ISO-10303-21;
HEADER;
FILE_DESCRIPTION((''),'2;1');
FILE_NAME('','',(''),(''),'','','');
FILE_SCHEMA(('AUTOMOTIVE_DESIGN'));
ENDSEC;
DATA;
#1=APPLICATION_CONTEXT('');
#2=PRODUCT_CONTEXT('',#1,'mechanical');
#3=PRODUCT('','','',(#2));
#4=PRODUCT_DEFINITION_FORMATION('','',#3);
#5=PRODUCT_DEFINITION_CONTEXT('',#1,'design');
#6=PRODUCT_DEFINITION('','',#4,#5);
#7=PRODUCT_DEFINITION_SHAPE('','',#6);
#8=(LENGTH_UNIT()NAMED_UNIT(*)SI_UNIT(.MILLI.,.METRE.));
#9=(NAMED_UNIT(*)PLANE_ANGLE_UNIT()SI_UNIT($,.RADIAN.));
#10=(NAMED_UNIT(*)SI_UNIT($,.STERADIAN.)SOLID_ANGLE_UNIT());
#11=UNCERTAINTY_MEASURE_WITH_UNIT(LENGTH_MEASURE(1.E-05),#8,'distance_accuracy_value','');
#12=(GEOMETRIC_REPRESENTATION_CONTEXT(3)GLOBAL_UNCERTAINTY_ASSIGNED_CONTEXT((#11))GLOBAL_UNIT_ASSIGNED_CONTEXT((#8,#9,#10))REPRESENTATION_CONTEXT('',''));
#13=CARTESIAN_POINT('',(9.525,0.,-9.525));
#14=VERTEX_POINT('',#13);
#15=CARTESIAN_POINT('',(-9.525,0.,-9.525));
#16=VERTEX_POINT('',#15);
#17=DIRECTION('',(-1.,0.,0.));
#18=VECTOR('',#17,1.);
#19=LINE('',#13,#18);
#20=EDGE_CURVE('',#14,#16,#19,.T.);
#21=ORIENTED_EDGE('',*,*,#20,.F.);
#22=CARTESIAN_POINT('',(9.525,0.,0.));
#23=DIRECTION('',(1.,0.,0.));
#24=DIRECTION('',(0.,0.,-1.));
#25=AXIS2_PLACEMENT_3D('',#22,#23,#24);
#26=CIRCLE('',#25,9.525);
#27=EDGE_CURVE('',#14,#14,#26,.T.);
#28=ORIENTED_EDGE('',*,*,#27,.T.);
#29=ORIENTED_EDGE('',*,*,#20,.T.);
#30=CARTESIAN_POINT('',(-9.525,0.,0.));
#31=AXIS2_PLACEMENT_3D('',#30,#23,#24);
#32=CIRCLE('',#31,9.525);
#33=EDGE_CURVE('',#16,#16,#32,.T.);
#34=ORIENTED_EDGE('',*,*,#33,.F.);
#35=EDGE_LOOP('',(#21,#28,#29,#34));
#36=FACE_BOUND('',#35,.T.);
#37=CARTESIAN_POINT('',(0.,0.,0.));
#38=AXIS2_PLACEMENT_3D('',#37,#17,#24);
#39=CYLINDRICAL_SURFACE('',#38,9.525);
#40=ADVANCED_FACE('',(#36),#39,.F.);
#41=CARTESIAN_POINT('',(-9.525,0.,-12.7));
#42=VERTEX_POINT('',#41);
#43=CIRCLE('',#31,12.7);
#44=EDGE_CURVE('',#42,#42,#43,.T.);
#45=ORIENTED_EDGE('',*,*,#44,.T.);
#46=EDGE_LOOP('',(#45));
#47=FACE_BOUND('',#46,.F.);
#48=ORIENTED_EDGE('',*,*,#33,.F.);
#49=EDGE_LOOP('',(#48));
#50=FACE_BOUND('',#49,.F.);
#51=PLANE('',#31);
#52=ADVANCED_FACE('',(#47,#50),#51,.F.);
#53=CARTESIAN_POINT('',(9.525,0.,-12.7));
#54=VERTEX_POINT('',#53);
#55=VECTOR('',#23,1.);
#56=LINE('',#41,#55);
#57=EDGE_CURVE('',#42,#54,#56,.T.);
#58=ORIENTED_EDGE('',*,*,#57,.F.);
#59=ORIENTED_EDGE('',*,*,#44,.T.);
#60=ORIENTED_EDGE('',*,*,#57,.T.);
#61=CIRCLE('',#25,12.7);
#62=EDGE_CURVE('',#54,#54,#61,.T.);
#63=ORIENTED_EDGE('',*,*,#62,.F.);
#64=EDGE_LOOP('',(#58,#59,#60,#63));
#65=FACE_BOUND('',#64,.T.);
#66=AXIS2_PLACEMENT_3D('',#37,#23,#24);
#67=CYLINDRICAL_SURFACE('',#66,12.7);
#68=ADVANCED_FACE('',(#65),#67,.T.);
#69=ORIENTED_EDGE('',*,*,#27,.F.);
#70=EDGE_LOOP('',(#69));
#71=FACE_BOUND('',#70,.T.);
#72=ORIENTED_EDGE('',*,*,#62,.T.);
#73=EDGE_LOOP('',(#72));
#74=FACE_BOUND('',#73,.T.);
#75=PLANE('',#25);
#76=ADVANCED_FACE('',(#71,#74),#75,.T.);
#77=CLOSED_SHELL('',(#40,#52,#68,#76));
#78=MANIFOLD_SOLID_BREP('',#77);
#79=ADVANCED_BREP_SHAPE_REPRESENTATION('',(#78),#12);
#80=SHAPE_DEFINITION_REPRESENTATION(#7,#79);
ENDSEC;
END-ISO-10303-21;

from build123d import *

# Parameters (mm, degrees)
ESQUISSE1_R        = 12.7
ESQUISSE1_R_2      = 9.525
BOSS_EXTRU_1_DEPTH = 9.525


with BuildPart() as part:
    # Esquisse1 → Boss.-Extru.1 (new body, symmetric)
    with BuildSketch(Plane(origin=(0, 0, 0), x_dir=(0, 0, -1), z_dir=(1, 0, 0))):
        Circle(ESQUISSE1_R)
        Circle(ESQUISSE1_R_2, mode=Mode.SUBTRACT)
    extrude(amount=BOSS_EXTRU_1_DEPTH, both=True)


solid = part.part
